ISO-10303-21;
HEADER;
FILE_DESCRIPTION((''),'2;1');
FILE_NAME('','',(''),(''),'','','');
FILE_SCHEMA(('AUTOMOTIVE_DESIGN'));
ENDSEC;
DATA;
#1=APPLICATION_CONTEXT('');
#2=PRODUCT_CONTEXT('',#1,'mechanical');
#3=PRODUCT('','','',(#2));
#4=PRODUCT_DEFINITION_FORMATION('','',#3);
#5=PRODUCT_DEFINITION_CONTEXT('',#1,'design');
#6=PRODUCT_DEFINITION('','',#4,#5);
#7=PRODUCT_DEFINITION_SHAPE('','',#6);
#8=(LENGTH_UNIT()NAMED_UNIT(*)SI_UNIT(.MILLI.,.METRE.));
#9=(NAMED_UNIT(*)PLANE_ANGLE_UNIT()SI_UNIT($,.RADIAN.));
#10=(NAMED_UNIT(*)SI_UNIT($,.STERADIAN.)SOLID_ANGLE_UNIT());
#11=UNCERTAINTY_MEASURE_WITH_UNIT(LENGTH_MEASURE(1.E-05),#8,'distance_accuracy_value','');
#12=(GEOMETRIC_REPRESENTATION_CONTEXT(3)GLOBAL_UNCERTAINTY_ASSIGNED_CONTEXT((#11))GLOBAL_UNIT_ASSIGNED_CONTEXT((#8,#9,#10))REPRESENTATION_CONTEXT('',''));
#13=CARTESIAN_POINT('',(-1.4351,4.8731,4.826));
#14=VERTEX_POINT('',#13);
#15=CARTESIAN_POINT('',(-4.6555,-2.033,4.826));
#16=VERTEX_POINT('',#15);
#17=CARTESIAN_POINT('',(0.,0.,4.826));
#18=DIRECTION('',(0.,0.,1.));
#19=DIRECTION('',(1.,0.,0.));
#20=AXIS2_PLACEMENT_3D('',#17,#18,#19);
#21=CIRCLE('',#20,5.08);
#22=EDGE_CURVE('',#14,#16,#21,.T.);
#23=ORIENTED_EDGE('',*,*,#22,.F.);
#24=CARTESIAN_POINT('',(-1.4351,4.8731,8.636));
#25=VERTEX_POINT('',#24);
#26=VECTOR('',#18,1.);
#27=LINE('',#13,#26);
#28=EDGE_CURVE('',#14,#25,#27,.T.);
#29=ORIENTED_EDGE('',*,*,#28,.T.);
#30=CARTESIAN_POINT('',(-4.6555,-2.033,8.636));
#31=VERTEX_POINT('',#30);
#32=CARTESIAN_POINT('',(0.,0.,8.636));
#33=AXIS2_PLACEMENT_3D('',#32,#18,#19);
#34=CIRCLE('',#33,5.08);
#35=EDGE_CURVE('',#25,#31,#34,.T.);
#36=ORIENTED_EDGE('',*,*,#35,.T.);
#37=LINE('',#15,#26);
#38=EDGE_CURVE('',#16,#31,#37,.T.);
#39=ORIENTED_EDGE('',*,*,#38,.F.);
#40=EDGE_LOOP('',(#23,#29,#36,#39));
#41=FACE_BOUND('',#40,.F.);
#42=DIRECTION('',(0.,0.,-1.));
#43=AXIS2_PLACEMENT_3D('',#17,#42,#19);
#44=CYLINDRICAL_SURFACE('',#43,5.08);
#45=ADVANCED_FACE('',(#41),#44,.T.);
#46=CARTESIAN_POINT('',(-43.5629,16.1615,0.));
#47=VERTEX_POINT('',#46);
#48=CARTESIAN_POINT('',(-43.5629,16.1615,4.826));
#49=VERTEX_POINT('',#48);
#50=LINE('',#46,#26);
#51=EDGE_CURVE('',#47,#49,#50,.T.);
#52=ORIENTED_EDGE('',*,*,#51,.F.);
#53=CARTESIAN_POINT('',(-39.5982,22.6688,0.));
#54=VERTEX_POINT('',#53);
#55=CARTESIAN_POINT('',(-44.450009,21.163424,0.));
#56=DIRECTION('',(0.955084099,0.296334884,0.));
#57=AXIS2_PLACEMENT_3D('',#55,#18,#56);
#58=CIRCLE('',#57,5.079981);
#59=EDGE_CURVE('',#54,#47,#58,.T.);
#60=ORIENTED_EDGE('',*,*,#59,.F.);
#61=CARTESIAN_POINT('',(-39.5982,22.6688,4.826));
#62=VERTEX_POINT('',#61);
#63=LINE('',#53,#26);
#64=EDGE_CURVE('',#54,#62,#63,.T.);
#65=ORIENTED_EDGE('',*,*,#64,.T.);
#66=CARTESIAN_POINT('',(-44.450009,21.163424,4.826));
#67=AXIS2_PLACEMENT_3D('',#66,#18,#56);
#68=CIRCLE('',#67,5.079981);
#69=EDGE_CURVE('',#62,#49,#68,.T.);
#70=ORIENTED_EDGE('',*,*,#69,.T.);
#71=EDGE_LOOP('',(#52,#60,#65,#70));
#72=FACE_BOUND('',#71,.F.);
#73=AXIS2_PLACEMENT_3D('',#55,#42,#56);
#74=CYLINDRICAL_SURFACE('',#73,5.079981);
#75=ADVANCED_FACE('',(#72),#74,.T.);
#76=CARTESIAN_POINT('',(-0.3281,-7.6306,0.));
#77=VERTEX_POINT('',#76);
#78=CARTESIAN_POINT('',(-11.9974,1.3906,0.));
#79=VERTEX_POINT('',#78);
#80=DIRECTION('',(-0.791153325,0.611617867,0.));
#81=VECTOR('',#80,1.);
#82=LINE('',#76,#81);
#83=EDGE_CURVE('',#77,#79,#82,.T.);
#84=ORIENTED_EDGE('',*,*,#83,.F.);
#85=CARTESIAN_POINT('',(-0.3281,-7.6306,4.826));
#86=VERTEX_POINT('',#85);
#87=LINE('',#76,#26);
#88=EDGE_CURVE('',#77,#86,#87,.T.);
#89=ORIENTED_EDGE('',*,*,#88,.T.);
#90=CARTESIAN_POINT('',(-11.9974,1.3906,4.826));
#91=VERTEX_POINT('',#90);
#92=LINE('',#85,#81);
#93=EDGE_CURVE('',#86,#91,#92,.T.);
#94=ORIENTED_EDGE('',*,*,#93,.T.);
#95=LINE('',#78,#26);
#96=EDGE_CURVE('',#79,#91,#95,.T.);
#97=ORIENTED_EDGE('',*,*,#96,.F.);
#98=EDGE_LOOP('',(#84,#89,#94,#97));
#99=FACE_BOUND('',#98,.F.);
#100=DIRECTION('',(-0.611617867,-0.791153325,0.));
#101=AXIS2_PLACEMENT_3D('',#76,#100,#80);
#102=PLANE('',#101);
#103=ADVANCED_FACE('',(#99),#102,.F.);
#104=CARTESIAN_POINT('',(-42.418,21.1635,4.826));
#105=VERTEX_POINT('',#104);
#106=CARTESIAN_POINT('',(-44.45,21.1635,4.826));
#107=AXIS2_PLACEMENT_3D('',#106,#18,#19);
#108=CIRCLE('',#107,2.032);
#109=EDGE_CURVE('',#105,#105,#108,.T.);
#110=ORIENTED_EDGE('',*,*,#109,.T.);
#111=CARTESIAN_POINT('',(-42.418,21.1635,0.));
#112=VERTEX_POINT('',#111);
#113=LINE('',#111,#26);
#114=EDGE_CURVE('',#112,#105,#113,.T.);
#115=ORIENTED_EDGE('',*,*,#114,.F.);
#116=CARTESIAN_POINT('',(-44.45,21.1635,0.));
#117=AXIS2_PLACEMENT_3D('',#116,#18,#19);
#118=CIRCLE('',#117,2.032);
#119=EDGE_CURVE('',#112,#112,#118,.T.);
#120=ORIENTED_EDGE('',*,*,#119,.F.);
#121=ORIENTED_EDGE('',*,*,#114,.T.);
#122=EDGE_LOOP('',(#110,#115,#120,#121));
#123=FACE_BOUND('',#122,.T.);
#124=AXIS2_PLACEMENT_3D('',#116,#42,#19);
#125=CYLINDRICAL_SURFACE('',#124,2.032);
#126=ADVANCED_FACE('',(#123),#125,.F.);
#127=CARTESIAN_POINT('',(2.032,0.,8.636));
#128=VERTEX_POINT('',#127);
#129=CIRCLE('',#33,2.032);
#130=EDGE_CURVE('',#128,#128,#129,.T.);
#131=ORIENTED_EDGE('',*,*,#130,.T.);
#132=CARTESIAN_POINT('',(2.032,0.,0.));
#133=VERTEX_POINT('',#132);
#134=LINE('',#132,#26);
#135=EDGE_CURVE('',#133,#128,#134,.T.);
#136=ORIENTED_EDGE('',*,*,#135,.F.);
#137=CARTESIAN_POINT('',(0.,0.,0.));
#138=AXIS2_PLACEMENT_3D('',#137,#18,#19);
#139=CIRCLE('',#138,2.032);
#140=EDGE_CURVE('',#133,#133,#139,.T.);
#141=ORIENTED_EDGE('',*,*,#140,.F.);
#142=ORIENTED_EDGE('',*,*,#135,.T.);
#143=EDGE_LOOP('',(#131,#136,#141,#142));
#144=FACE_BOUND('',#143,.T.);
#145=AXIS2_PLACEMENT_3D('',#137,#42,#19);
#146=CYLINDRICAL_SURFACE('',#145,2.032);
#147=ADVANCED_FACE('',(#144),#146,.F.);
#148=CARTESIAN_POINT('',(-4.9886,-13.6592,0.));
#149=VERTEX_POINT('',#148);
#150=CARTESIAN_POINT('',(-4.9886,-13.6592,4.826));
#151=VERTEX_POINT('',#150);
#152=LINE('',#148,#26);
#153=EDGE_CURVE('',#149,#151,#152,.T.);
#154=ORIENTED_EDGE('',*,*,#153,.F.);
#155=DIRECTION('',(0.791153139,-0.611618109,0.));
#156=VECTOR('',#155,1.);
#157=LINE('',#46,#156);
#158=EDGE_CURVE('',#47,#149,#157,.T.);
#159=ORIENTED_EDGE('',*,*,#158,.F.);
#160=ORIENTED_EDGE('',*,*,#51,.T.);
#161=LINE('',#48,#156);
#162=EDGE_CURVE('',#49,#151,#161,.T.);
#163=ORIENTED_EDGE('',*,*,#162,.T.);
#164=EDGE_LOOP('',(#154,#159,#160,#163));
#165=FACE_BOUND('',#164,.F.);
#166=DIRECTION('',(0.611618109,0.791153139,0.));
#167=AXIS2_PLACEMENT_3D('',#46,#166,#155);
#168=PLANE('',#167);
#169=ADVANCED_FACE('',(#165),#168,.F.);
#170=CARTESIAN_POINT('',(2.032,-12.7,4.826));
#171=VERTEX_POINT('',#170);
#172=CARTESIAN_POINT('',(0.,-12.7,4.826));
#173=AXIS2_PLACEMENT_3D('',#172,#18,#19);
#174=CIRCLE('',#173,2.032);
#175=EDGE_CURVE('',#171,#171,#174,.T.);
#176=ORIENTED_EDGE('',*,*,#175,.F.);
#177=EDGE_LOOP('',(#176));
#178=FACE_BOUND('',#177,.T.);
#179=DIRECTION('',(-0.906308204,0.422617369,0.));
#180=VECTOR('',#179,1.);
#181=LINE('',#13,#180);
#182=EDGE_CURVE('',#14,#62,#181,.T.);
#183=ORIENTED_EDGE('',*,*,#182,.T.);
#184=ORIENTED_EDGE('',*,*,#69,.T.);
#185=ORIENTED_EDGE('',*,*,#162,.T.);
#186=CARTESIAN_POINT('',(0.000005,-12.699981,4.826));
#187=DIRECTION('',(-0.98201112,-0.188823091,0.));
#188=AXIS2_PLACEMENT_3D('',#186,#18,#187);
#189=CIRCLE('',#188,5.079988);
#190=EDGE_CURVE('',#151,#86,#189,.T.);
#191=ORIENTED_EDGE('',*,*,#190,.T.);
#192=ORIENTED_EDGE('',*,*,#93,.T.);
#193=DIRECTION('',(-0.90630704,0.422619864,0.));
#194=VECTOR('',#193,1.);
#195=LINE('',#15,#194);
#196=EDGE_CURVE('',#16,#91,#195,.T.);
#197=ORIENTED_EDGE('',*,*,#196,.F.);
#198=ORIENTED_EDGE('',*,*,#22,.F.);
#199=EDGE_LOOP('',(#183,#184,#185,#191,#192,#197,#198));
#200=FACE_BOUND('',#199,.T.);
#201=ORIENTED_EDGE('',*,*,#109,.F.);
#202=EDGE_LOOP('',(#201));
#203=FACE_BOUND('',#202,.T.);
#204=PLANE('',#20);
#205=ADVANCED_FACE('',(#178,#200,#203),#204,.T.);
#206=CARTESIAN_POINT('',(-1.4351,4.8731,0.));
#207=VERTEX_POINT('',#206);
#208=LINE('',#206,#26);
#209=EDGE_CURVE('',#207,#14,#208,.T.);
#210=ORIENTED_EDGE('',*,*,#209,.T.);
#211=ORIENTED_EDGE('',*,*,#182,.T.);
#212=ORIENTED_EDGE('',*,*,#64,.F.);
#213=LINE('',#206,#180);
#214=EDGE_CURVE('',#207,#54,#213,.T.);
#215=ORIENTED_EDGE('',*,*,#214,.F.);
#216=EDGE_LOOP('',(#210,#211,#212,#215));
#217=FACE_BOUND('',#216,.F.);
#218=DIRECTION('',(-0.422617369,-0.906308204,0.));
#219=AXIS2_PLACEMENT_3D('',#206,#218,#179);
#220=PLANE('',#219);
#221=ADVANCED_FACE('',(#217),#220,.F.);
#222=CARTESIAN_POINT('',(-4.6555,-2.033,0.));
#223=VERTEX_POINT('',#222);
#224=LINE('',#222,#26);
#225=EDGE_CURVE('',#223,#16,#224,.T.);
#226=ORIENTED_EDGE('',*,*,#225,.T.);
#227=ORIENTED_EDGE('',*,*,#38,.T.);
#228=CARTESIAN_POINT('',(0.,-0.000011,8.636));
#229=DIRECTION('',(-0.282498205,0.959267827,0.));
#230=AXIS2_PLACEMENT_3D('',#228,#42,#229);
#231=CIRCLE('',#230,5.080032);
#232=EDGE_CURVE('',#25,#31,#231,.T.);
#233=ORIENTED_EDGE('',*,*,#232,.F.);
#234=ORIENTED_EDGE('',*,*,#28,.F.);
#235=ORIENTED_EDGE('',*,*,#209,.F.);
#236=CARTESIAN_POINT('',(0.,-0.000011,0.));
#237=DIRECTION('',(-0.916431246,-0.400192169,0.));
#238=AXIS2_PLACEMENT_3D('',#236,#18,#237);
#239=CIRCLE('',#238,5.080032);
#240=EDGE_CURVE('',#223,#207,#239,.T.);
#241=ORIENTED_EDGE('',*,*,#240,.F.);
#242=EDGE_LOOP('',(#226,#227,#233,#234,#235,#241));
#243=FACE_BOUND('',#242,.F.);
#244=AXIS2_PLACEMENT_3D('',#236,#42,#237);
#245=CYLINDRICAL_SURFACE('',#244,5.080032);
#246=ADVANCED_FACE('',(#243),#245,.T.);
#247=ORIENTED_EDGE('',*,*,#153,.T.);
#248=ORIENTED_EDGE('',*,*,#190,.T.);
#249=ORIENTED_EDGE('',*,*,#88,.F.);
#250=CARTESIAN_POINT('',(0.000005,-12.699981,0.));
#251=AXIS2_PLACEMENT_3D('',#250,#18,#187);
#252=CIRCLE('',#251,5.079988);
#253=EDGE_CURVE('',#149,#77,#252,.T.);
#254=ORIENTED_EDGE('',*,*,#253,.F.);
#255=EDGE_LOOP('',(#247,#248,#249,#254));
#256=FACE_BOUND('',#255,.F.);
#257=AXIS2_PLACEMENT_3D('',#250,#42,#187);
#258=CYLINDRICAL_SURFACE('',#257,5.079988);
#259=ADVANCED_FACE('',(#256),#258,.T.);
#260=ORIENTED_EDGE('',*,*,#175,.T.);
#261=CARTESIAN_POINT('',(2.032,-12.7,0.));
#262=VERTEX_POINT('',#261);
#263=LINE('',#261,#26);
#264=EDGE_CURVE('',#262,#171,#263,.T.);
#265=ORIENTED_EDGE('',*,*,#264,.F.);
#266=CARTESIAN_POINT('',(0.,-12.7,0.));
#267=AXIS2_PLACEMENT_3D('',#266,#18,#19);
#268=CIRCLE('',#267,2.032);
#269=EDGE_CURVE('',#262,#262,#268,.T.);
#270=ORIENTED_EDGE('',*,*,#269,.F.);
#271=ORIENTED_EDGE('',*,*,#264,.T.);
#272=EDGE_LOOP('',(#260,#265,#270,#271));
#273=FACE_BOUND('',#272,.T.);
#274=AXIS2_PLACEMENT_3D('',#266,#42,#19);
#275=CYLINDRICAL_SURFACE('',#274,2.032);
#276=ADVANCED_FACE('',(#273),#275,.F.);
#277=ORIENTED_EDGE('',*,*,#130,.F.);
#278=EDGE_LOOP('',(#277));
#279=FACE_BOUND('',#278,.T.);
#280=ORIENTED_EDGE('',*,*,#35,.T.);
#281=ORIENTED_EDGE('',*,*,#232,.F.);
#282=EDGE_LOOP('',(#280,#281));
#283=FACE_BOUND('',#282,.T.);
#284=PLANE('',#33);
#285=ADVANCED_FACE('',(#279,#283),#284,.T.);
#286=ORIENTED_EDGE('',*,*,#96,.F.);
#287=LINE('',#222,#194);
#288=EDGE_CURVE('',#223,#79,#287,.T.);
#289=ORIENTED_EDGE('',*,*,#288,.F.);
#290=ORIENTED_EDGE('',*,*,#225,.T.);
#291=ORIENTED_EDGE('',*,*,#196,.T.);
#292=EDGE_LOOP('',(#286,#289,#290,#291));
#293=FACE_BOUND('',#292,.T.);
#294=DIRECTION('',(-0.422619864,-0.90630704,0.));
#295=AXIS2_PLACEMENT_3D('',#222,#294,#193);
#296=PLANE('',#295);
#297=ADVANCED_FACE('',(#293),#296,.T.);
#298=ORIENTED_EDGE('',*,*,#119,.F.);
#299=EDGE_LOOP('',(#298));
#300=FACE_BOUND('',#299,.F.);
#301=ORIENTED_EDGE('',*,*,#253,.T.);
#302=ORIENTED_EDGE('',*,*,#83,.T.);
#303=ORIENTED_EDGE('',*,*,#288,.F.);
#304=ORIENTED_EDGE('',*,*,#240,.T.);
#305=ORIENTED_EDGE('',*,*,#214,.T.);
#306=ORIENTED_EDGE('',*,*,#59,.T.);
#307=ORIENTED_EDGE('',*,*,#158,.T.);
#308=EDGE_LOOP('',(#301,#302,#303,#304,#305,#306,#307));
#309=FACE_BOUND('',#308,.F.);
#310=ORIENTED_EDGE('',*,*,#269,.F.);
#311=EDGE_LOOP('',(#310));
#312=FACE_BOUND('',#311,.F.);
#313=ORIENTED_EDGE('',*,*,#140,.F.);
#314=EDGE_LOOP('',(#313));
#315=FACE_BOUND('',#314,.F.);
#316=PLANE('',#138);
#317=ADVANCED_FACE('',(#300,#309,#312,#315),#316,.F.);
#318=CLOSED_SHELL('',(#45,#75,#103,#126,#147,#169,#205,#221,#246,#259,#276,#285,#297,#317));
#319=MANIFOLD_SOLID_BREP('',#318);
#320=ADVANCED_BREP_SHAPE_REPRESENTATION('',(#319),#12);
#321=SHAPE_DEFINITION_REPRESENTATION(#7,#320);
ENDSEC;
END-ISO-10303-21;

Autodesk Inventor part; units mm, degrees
ref_plane "YZ Plane" through (0, 0, 0) normal (1, 0, 0) x (0, 1, 0)
ref_plane "XZ Plane" through (0, 0, 0) normal (0, 1, 0) x (-1, 0, 0)
ref_plane "XY Plane" through (0, 0, 0) normal (0, 0, 1) x (1, 0, 0)
sketch "Sketch1" plane through (0, 0, 0) normal (0, 0, 1) x (1, 0, 0)
  arc A0 (-4.6555, -2.033) -> (-1.4351, 4.8731) centre (0, 0) ccw
  circle A1 centre (0, 0) radius 2.032
  arc A2 (-4.9886, -13.6592) -> (-0.3281, -7.6306) centre (0, -12.7) ccw
  circle A3 centre (0, -12.7) radius 2.032
  line L0 (-43.5629, 16.1615) -> (-4.9886, -13.6592)
  line L1 (-0.3281, -7.6306) -> (-11.9974, 1.3906)
  line L2 (-1.4351, 4.8731) -> (-39.5982, 22.6688)
  arc A4 (-39.5982, 22.6688) -> (-43.5629, 16.1615) centre (-44.45, 21.1635) ccw
  circle A5 centre (-44.45, 21.1635) radius 2.032
  line L3 (-39.5982, 22.6688) -> (-46.4155, 25.8478) construction
  line L4 (-43.5629, 16.1615) -> (-49.5141, 20.7622) construction
  line L5 (-4.6555, -2.033) -> (-11.9974, 1.3906)
  line L6 (0, 0) -> (25.4, 0) construction
  point P0 (-4.1501, -2.9296)
  point P1 (-3.0659, -4.0505)
  dimension "d0" = 10.16
  dimension "d1" = 4.064
  dimension "d7" = 10.16
  dimension "d8" = 4.064
  dimension "d9" = 12.7
  dimension "d10" = 7.62
  dimension "d11" = 3.81
  dimension "d20" = 10.16
  dimension "d21" = 4.064
  dimension "d25" = 7.62
  dimension "d29" = 44.45
  dimension "d30" = 7.62
  dimension "d31" = 3.81
  dimension "d32" = 25.4
  dimension "d33" = 25
extrude "Extrusion1" add sketch "Sketch1" along normal blind 4.826
sketch "Sketch4" plane through (0, 0, 4.826) normal (0, 0, 1) x (1, 0, 0)
  arc A0 (-4.6555, -2.033) -> (-1.4351, 4.8731) centre (0, 0) ccw projected
  circle A1 centre (0, 0) radius 2.032 projected
  circle A2 centre (0, 0) radius 5.08
  point P0 (-1.4351, 4.8731)
  point P1 (-3.0659, -4.0505)
  point P2 (5.08, 0)
  point P3 (-1.4351, 4.8731)
extrude "Extrusion4" add sketch "Sketch4" along normal blind 3.81
equation "\"d8\" = d1"
equation "\"d11\" = 0.5 * d10"
properties part number "Tip Arm 2"
